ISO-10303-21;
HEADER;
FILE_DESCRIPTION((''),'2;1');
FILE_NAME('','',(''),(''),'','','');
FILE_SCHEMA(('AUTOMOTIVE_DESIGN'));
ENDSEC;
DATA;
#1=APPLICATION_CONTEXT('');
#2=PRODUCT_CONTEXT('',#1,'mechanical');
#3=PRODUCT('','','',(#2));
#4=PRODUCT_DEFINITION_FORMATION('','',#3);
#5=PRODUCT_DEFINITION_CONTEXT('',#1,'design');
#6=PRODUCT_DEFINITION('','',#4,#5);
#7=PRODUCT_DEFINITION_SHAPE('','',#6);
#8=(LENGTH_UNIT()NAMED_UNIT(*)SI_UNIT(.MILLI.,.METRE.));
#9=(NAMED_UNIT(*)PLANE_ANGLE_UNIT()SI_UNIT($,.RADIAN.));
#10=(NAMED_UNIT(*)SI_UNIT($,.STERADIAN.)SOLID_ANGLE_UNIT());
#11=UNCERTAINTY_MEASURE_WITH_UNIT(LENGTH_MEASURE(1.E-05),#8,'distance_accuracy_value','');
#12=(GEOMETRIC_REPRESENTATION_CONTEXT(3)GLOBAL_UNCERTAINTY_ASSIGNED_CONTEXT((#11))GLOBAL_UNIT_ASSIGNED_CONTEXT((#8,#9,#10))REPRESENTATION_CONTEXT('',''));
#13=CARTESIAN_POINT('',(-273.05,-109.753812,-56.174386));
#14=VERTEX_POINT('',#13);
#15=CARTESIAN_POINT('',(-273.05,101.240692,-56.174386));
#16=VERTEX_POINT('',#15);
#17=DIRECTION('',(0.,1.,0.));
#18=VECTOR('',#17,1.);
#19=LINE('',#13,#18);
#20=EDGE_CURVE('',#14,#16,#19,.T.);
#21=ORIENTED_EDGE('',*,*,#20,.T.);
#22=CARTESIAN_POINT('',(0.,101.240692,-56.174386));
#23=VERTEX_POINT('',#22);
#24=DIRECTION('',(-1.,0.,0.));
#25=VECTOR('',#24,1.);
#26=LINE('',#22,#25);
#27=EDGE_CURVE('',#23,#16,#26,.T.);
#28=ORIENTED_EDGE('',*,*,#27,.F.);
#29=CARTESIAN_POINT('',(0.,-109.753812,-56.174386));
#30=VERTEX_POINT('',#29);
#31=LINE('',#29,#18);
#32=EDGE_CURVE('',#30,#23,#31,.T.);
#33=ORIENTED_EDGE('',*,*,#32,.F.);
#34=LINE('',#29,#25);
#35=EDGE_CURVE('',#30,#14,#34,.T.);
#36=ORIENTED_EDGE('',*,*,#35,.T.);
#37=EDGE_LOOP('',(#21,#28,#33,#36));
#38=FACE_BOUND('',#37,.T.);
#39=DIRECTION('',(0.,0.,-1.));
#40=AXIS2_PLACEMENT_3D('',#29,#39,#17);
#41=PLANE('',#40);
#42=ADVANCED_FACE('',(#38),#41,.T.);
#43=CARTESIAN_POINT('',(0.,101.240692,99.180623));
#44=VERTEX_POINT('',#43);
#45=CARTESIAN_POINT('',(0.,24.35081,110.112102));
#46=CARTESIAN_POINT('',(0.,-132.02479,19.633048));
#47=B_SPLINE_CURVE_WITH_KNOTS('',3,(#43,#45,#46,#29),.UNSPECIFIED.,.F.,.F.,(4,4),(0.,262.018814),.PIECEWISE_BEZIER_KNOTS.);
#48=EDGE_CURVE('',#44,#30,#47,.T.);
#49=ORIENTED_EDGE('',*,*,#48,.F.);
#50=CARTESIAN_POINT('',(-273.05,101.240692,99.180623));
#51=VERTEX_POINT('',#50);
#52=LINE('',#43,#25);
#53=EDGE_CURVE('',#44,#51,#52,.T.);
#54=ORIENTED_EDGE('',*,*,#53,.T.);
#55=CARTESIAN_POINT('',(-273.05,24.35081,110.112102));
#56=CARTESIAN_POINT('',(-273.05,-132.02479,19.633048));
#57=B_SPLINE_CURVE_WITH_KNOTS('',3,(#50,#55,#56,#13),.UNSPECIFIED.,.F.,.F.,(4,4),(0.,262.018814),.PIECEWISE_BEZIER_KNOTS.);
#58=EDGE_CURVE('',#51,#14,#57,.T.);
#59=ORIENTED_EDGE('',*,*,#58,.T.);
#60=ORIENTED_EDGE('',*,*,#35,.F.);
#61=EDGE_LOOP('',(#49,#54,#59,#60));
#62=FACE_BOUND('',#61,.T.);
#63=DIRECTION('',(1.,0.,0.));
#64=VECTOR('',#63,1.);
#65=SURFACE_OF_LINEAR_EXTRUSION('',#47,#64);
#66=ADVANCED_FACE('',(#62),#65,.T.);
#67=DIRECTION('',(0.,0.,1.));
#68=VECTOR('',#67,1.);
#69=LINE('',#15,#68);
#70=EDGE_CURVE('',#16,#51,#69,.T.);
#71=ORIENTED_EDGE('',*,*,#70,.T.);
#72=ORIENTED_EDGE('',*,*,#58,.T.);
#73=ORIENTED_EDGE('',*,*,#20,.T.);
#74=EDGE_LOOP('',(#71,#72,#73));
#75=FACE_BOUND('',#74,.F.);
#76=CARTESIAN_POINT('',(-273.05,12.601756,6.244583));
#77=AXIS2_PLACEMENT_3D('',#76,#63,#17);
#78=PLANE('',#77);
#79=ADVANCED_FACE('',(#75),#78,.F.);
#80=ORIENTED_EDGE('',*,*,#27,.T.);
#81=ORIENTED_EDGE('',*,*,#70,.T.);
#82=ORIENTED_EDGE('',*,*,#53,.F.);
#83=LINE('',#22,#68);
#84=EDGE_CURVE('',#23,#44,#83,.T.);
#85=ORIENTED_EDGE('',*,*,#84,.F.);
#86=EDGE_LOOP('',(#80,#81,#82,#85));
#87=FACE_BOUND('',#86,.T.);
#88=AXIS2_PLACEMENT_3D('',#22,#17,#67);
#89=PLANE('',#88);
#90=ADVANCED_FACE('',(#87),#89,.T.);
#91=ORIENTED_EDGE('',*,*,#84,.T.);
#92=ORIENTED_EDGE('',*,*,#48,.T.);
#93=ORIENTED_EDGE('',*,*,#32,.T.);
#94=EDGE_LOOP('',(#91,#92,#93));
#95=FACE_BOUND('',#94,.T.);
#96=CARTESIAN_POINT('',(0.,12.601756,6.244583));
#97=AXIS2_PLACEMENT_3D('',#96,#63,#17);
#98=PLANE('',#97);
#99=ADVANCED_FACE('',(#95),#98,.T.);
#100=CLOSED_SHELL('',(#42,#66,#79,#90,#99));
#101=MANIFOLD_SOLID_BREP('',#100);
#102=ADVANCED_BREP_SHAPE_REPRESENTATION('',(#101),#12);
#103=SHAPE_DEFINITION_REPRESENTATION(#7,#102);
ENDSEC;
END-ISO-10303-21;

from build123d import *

# Parameters (mm, degrees)
F1_DEPTH = 273.05


with BuildPart() as f1:
    # F0 (on Right) → F1 (new body)
    with BuildSketch(Plane.YZ):
        with BuildLine():
            add(Edge.make_bspline(
                [(101.240692, 99.180623), (24.35081, 110.112102), (-132.02479, 19.633048), (-109.753812, -56.174386)],
                knots=[0, 0, 0, 0, 262.018814, 262.018814, 262.018814, 262.018814], degree=3))
            Line((-109.753812, -56.174386), (101.240692, -56.174386))
            Line((101.240692, -56.174386), (101.240692, 99.180623))
        make_face()
    extrude(amount=-F1_DEPTH)


solid = f1.part
